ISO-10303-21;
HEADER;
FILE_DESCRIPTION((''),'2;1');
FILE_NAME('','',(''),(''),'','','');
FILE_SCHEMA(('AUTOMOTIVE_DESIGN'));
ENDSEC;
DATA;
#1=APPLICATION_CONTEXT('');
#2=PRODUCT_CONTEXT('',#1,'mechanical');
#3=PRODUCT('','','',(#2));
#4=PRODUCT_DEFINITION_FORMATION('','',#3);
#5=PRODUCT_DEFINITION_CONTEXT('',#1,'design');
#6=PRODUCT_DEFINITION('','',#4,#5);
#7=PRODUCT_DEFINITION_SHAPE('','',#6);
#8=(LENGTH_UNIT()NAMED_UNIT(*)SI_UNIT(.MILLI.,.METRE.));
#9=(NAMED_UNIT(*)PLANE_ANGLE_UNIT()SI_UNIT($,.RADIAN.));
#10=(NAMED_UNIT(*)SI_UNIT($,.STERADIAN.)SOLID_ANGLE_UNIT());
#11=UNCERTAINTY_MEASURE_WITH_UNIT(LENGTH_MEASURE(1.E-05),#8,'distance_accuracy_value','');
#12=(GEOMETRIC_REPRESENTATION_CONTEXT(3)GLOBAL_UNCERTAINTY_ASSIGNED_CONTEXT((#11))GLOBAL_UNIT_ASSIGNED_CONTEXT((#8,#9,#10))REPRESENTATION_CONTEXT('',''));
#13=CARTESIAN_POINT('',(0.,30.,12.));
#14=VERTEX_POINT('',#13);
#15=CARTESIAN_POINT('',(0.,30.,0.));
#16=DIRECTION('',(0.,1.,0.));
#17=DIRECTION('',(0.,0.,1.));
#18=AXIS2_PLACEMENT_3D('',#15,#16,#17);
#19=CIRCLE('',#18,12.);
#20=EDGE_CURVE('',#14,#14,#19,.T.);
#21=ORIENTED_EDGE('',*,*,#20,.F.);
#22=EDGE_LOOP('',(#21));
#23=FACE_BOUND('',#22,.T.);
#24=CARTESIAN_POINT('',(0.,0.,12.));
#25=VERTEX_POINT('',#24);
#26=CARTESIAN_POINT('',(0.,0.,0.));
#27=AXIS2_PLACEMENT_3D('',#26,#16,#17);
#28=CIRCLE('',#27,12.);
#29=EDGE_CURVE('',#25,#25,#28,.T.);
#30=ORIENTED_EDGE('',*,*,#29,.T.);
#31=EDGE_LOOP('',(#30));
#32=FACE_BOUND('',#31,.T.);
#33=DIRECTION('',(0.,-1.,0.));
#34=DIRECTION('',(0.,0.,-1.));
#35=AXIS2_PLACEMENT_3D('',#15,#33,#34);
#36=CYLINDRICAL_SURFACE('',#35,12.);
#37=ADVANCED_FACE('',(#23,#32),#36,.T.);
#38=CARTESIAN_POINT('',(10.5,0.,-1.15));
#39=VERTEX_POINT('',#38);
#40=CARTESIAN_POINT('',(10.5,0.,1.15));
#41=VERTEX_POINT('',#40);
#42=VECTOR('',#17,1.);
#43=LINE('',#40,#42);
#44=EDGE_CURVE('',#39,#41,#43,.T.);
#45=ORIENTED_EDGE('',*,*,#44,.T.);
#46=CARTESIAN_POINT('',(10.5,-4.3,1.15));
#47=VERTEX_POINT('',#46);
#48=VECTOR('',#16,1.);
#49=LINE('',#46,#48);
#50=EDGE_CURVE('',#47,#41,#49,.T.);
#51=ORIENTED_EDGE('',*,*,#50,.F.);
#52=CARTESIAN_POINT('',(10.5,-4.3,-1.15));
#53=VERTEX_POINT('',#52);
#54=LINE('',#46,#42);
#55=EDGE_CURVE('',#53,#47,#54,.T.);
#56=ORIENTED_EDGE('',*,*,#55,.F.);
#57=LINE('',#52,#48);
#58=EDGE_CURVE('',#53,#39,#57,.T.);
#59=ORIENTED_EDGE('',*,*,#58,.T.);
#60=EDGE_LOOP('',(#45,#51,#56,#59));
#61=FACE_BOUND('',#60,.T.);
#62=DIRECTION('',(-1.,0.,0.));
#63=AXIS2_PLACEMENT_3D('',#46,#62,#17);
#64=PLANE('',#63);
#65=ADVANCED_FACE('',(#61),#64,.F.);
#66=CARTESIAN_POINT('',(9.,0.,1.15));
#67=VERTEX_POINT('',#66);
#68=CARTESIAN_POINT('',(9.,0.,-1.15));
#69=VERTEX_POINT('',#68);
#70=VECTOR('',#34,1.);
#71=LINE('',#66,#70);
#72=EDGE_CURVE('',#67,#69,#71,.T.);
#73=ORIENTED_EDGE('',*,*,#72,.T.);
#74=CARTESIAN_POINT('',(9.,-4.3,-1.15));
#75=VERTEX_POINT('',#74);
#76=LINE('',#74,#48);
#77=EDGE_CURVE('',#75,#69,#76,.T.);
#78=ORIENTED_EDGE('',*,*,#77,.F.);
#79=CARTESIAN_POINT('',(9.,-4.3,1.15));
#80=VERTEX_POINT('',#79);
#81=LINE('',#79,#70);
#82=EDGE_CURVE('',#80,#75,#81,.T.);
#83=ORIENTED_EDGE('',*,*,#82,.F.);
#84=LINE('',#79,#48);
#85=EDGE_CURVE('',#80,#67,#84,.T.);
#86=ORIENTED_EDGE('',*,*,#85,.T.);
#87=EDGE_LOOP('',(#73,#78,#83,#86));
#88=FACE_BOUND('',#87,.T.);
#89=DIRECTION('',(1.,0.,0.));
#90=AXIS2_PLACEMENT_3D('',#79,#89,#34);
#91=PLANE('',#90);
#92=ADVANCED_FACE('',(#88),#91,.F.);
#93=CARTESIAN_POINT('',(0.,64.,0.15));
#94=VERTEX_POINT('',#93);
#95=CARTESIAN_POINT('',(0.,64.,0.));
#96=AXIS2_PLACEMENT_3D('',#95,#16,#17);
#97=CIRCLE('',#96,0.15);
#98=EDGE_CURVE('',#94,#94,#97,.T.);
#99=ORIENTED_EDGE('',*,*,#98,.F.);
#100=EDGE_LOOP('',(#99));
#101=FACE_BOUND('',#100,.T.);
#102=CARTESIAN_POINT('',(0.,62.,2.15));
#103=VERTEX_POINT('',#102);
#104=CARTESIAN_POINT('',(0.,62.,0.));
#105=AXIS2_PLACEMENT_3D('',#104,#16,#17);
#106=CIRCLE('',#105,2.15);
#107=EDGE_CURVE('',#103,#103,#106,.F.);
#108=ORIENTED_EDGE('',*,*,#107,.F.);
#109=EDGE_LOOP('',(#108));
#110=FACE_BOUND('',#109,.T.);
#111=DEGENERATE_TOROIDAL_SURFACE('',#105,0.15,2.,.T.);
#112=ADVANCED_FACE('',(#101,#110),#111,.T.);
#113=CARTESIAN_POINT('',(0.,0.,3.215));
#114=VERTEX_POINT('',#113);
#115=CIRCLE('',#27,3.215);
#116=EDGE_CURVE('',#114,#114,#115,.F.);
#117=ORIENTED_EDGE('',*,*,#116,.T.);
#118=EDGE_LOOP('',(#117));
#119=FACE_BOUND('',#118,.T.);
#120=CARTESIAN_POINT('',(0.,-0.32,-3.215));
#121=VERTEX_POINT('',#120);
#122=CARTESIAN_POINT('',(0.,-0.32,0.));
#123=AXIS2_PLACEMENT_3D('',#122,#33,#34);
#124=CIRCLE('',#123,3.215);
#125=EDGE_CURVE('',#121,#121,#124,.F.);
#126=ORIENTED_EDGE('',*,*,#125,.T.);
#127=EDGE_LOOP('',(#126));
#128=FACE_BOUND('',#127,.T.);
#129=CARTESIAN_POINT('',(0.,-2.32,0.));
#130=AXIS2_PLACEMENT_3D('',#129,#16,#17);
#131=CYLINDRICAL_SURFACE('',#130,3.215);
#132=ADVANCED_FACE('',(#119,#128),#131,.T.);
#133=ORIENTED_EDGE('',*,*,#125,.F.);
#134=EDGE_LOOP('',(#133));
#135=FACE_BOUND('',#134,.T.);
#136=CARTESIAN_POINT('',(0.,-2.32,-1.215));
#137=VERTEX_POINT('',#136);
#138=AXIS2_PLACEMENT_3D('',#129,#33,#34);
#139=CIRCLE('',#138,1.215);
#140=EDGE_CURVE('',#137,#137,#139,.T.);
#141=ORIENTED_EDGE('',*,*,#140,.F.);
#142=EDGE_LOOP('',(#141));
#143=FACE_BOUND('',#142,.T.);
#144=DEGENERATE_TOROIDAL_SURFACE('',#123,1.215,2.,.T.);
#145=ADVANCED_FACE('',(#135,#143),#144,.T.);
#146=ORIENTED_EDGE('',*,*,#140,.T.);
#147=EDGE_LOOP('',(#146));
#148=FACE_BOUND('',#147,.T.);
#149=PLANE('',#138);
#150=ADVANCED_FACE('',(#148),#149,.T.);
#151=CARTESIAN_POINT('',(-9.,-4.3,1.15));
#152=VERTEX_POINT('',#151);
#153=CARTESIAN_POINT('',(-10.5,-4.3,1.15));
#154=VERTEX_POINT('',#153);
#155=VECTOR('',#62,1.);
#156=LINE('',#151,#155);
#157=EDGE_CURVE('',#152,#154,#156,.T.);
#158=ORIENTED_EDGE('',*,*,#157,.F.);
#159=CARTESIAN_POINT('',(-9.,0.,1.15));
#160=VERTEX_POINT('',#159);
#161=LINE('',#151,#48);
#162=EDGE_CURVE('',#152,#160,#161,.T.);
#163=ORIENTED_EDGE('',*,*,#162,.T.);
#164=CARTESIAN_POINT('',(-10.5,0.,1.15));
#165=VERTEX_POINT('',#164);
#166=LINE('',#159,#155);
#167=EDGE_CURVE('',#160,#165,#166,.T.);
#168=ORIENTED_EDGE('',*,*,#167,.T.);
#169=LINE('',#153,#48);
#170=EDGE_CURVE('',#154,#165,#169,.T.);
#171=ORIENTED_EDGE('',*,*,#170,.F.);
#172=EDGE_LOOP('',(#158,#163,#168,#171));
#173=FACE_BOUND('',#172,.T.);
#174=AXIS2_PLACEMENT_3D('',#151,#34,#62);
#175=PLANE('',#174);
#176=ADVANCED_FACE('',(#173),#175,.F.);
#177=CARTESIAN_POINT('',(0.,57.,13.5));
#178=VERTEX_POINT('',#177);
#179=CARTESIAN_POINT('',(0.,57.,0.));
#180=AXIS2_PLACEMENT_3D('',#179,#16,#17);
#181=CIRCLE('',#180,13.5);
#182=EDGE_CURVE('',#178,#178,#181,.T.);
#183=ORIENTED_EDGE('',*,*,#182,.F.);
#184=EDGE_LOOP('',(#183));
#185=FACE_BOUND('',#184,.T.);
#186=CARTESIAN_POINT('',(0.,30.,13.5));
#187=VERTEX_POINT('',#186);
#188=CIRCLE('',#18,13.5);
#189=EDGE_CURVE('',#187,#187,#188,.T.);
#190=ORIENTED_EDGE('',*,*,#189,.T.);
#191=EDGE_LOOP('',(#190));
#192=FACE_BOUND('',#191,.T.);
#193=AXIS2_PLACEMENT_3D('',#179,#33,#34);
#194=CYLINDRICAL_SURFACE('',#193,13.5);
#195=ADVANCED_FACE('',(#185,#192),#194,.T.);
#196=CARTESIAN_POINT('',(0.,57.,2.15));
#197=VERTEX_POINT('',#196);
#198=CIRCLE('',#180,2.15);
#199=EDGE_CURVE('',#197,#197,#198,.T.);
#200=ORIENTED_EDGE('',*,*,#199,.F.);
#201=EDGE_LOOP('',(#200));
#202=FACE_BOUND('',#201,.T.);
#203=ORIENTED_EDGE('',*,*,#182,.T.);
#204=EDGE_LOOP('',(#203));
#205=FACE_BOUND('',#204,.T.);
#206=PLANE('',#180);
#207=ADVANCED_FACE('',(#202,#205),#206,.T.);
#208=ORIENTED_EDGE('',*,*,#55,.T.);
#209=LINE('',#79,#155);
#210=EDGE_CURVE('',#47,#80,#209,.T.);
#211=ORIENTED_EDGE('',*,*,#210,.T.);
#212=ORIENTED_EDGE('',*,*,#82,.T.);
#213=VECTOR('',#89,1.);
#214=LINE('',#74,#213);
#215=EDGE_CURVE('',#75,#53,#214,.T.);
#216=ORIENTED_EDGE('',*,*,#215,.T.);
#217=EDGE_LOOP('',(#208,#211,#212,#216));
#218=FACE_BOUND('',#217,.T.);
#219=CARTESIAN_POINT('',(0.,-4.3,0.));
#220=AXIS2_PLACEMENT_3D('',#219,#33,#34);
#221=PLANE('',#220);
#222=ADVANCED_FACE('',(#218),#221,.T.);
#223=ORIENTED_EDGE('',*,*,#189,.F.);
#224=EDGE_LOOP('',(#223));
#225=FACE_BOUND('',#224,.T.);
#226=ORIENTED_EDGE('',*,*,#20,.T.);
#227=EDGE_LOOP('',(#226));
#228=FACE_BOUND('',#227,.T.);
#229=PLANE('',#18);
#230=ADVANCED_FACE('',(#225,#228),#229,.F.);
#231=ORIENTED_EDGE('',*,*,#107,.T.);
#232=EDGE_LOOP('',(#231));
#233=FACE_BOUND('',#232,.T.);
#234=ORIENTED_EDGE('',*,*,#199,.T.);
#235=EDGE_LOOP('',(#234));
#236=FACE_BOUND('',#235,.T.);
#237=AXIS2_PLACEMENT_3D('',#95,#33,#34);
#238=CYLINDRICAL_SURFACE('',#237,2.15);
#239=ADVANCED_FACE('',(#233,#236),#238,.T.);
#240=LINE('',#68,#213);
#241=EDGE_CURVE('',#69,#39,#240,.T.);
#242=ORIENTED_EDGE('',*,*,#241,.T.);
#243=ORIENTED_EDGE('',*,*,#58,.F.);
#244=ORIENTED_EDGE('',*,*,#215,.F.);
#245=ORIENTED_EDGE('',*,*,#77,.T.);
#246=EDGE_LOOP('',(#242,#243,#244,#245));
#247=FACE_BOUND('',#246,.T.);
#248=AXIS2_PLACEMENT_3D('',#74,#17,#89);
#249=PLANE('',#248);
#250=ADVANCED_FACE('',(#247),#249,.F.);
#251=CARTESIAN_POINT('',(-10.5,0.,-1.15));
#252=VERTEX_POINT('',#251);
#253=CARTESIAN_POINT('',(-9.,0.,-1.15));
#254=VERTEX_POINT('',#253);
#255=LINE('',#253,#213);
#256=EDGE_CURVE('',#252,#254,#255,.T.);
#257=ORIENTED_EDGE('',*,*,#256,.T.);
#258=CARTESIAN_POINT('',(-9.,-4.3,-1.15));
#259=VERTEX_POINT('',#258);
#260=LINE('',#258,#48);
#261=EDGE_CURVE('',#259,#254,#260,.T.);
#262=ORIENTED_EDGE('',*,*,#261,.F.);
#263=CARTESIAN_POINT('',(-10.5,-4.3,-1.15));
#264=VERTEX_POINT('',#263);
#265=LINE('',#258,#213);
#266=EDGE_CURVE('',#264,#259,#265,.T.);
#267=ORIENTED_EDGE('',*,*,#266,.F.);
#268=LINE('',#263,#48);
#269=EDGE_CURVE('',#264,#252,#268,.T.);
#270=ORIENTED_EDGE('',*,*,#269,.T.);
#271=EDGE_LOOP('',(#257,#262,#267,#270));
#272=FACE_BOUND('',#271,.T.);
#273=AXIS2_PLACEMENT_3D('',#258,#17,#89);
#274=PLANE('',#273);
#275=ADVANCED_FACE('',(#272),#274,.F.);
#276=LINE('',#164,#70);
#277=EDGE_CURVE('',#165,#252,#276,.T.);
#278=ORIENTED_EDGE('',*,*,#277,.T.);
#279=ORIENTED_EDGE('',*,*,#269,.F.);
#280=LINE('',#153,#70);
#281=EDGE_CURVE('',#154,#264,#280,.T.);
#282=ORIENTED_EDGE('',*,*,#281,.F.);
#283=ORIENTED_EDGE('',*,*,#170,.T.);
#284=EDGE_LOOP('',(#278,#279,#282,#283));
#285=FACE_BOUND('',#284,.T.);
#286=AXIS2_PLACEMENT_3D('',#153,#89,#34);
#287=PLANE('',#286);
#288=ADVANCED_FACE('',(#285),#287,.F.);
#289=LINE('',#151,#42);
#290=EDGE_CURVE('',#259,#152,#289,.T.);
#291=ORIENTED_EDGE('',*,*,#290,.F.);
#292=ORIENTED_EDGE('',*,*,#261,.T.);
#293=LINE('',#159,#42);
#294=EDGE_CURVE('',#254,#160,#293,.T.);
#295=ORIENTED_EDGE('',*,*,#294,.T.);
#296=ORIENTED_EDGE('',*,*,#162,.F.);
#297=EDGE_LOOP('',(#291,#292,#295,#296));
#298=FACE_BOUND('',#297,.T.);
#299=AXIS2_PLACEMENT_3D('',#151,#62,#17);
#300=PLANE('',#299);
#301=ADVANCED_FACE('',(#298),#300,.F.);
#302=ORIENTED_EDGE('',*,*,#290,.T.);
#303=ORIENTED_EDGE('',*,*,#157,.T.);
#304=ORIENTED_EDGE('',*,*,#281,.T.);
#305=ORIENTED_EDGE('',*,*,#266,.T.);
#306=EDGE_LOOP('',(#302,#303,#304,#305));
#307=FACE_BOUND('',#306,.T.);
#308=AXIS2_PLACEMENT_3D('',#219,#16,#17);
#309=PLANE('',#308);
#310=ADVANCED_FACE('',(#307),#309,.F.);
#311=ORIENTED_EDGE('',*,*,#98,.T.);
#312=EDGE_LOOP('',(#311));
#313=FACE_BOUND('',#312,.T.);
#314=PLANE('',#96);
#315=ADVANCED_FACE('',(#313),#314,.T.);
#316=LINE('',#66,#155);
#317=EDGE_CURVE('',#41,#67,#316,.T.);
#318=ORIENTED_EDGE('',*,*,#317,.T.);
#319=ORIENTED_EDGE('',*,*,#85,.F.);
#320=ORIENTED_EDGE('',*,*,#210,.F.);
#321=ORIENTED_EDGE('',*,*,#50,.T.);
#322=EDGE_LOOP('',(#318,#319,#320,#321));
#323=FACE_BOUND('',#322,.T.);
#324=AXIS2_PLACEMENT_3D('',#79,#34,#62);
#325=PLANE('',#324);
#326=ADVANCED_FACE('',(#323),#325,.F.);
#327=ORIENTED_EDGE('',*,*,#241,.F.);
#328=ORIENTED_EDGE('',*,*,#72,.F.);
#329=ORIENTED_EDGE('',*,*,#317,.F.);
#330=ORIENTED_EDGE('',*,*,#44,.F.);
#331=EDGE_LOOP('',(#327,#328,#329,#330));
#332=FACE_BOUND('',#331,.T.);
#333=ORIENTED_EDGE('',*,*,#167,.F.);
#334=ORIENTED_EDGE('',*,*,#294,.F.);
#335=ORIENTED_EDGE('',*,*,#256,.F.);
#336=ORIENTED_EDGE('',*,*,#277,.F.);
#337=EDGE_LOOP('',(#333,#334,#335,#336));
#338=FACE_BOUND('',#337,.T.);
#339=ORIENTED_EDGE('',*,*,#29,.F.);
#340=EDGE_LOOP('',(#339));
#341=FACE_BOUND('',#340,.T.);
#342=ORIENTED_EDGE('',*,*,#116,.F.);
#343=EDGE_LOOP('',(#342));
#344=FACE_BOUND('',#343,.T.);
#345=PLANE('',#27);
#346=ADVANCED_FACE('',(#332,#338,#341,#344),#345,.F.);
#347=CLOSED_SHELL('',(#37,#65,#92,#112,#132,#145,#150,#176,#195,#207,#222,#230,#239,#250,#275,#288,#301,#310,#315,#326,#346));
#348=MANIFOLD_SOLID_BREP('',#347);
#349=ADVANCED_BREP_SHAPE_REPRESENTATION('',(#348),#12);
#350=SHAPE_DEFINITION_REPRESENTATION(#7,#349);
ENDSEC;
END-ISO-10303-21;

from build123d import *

# Parameters (mm, degrees)
SKETCH1_R           = 12
BOSS_EXTRUDE1_DEPTH = 30
SKETCH2_R           = 13.5
BOSS_EXTRUDE2_DEPTH = 27
SKETCH3_R           = 2.15
BOSS_EXTRUDE3_DEPTH = 7
FILLET1_R           = 2
SKETCH4_R           = 3.215
BOSS_EXTRUDE4_DEPTH = 2.32
FILLET2_R           = 2
SKETCH5_W           = 1.5
SKETCH5_H           = 2.3
BOSS_EXTRUDE5_DEPTH = 4.3


with BuildPart() as part:
    # Sketch1 → Boss-Extrude1 (new body)
    with BuildSketch(Plane(origin=(0, 0, 0), x_dir=(1, 0, 0), z_dir=(0, 1, 0))):
        Circle(SKETCH1_R)
    extrude(amount=BOSS_EXTRUDE1_DEPTH)

    # Sketch2 → Boss-Extrude2 (add)
    with BuildSketch(Plane(origin=(0, 30, 0), x_dir=(1, 0, 0), z_dir=(0, 1, 0))):
        Circle(SKETCH2_R)
    extrude(amount=BOSS_EXTRUDE2_DEPTH)

    # Sketch3 → Boss-Extrude3 (add)
    with BuildSketch(Plane(origin=(0, 57, 0), x_dir=(1, 0, 0), z_dir=(0, 1, 0))):
        Circle(SKETCH3_R)
    extrude(amount=BOSS_EXTRUDE3_DEPTH)

    # Fillet1
    fillet1_edges = [part.edges().sort_by_distance(p)[0] for p in [
        (-2.15, 64, 0),
    ]]
    fillet(fillet1_edges, radius=FILLET1_R)

    # Sketch4 → Boss-Extrude4 (add)
    with BuildSketch(Plane.XZ):
        Circle(SKETCH4_R)
    extrude(amount=BOSS_EXTRUDE4_DEPTH)

    # Fillet2
    fillet2_edges = [part.edges().sort_by_distance(p)[0] for p in [
        (-3.215, -2.32, 0),
    ]]
    fillet(fillet2_edges, radius=FILLET2_R)

    # Sketch5 → Boss-Extrude5 (add)
    with BuildSketch(Plane.XZ):
        with Locations((9.75, 0)):
            Rectangle(SKETCH5_W, SKETCH5_H)
        with Locations((-9.75, 0)):
            Rectangle(SKETCH5_W, SKETCH5_H)
    extrude(amount=BOSS_EXTRUDE5_DEPTH)


solid = part.part
